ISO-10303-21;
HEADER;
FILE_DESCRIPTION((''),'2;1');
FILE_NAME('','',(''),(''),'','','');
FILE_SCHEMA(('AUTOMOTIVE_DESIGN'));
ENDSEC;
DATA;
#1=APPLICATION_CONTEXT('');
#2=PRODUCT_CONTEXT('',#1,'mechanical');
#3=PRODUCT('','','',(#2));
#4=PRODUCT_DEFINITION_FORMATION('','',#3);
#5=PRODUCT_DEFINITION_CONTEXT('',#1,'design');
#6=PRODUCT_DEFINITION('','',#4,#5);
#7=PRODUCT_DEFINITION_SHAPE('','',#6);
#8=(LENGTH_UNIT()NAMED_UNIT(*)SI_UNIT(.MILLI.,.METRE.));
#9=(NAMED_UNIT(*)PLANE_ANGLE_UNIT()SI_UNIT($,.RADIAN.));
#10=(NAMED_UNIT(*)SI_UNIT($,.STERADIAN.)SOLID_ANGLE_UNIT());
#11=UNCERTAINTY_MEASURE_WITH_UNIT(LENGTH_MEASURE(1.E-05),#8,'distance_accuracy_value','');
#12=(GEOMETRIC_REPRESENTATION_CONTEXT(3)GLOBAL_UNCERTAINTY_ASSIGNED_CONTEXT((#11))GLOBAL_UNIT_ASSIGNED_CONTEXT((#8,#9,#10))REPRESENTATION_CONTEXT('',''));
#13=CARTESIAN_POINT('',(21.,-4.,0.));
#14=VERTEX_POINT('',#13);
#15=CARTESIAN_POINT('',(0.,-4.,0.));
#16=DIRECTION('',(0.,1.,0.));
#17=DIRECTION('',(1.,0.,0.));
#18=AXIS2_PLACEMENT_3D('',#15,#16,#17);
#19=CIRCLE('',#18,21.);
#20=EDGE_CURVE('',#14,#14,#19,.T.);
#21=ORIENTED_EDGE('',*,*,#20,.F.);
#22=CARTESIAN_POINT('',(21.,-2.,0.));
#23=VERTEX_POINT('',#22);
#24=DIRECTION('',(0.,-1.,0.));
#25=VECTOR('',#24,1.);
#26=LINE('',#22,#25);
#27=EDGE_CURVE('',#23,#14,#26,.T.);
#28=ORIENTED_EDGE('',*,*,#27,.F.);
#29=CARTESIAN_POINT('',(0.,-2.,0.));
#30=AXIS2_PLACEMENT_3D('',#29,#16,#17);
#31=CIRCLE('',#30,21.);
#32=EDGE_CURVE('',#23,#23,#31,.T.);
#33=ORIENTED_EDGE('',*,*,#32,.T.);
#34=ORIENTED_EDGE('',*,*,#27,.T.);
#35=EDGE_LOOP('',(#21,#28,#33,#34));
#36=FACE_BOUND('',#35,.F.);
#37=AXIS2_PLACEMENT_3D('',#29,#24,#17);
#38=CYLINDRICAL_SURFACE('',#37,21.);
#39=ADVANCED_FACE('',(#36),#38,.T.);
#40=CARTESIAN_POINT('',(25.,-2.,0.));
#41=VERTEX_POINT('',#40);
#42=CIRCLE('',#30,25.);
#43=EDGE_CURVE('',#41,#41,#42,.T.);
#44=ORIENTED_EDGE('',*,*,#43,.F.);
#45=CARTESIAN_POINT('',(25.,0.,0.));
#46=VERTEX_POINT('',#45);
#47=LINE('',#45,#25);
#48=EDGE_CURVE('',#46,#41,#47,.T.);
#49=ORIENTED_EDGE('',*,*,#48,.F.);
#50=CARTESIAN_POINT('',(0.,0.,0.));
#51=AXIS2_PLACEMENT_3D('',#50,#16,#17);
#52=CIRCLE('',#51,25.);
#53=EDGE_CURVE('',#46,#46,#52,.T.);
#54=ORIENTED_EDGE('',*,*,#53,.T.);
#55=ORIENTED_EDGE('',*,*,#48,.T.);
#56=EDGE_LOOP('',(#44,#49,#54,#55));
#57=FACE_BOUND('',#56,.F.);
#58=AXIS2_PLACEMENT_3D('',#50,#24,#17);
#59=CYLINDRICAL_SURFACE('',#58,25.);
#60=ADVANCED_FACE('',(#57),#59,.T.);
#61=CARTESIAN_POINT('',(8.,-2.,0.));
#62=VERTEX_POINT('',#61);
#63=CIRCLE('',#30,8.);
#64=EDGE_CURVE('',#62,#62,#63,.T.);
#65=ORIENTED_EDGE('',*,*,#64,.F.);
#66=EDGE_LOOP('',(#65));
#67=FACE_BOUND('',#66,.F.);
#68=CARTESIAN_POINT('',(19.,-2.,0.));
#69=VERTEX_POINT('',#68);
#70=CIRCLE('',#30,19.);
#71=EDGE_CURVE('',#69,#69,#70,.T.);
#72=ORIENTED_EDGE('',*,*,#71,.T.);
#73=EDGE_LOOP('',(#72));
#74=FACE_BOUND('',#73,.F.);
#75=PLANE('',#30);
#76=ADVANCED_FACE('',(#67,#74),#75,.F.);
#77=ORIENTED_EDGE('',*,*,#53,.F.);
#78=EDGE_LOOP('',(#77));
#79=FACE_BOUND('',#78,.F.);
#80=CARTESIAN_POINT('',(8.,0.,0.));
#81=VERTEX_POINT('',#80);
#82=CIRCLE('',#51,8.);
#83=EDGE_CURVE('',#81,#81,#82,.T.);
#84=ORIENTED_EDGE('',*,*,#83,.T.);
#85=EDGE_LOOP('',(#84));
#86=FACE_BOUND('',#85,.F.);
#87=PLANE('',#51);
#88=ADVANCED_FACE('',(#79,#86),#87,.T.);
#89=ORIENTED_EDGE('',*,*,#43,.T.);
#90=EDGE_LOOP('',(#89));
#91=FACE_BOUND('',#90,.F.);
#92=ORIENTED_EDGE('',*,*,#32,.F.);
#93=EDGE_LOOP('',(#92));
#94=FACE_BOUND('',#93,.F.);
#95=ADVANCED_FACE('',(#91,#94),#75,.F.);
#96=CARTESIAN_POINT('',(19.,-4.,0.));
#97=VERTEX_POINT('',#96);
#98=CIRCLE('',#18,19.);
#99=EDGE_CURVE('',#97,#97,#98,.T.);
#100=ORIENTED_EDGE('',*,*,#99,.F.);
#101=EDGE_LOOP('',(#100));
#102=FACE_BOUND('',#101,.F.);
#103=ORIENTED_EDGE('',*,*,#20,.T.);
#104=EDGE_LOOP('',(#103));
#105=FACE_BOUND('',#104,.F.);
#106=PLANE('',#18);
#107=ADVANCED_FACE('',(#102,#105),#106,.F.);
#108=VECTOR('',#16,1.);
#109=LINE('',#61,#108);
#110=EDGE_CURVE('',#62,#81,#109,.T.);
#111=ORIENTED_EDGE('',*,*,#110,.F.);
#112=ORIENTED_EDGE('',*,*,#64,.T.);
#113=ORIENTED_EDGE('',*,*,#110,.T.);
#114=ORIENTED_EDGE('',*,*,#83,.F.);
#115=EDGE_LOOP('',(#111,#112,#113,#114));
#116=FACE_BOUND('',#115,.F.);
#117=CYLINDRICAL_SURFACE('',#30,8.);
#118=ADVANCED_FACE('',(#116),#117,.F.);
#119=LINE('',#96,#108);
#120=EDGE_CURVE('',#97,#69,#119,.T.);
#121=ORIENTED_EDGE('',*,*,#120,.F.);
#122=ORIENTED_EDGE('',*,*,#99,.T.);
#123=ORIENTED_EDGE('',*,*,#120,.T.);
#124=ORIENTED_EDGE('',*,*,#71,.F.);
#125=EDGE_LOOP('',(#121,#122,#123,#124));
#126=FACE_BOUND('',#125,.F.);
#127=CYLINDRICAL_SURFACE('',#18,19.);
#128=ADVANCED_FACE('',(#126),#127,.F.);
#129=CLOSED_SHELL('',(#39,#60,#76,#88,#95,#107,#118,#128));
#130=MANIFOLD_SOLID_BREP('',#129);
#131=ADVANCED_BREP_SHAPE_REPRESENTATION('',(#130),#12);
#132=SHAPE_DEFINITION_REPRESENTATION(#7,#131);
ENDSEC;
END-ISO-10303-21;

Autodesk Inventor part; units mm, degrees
ref_plane "YZ Plane" through (0, 0, 0) normal (1, 0, 0) x (0, 1, 0)
ref_plane "XZ Plane" through (0, 0, 0) normal (0, 1, 0) x (-1, 0, 0)
ref_plane "XY Plane" through (0, 0, 0) normal (0, 0, 1) x (1, 0, 0)
sketch "Sketch1" plane through (0, 0, 0) normal (0, 0, 1) x (1, 0, 0)
  line L0 (0, 0) -> (8, 0) construction
  line L1 (8, 0) -> (8, -2) construction
  line L2 (8, -2) -> (0, -2) construction
  line L3 (0, -2) -> (0, 0) construction
  line L4 (0, 0) -> (25, 0) construction
  line L5 (8, 0) -> (25, 0)
  line L6 (25, 0) -> (25, -2)
  line L7 (25, -2) -> (8, -2)
  line L8 (8, -2) -> (8, 0)
  line L9 (19, -2) -> (21, -2)
  line L10 (21, -2) -> (21, -4)
  line L11 (21, -4) -> (19, -4)
  line L12 (19, -4) -> (19, -2)
  point P0 (21, -2)
  dimension "d0" = 8
  dimension "d1" = 2
  dimension "d2" = 25
  dimension "d3" = 2
  dimension "d4" = 2
  dimension "d5" = 4
  dimension "d6" = 17
revolve "Revolution1" add sketch "Sketch1" angle 360 about axis through (0, -2, 0) along (0, 1, 0)
equation "\"d6\" = d2 - d0"
properties part number "feed_lid"
